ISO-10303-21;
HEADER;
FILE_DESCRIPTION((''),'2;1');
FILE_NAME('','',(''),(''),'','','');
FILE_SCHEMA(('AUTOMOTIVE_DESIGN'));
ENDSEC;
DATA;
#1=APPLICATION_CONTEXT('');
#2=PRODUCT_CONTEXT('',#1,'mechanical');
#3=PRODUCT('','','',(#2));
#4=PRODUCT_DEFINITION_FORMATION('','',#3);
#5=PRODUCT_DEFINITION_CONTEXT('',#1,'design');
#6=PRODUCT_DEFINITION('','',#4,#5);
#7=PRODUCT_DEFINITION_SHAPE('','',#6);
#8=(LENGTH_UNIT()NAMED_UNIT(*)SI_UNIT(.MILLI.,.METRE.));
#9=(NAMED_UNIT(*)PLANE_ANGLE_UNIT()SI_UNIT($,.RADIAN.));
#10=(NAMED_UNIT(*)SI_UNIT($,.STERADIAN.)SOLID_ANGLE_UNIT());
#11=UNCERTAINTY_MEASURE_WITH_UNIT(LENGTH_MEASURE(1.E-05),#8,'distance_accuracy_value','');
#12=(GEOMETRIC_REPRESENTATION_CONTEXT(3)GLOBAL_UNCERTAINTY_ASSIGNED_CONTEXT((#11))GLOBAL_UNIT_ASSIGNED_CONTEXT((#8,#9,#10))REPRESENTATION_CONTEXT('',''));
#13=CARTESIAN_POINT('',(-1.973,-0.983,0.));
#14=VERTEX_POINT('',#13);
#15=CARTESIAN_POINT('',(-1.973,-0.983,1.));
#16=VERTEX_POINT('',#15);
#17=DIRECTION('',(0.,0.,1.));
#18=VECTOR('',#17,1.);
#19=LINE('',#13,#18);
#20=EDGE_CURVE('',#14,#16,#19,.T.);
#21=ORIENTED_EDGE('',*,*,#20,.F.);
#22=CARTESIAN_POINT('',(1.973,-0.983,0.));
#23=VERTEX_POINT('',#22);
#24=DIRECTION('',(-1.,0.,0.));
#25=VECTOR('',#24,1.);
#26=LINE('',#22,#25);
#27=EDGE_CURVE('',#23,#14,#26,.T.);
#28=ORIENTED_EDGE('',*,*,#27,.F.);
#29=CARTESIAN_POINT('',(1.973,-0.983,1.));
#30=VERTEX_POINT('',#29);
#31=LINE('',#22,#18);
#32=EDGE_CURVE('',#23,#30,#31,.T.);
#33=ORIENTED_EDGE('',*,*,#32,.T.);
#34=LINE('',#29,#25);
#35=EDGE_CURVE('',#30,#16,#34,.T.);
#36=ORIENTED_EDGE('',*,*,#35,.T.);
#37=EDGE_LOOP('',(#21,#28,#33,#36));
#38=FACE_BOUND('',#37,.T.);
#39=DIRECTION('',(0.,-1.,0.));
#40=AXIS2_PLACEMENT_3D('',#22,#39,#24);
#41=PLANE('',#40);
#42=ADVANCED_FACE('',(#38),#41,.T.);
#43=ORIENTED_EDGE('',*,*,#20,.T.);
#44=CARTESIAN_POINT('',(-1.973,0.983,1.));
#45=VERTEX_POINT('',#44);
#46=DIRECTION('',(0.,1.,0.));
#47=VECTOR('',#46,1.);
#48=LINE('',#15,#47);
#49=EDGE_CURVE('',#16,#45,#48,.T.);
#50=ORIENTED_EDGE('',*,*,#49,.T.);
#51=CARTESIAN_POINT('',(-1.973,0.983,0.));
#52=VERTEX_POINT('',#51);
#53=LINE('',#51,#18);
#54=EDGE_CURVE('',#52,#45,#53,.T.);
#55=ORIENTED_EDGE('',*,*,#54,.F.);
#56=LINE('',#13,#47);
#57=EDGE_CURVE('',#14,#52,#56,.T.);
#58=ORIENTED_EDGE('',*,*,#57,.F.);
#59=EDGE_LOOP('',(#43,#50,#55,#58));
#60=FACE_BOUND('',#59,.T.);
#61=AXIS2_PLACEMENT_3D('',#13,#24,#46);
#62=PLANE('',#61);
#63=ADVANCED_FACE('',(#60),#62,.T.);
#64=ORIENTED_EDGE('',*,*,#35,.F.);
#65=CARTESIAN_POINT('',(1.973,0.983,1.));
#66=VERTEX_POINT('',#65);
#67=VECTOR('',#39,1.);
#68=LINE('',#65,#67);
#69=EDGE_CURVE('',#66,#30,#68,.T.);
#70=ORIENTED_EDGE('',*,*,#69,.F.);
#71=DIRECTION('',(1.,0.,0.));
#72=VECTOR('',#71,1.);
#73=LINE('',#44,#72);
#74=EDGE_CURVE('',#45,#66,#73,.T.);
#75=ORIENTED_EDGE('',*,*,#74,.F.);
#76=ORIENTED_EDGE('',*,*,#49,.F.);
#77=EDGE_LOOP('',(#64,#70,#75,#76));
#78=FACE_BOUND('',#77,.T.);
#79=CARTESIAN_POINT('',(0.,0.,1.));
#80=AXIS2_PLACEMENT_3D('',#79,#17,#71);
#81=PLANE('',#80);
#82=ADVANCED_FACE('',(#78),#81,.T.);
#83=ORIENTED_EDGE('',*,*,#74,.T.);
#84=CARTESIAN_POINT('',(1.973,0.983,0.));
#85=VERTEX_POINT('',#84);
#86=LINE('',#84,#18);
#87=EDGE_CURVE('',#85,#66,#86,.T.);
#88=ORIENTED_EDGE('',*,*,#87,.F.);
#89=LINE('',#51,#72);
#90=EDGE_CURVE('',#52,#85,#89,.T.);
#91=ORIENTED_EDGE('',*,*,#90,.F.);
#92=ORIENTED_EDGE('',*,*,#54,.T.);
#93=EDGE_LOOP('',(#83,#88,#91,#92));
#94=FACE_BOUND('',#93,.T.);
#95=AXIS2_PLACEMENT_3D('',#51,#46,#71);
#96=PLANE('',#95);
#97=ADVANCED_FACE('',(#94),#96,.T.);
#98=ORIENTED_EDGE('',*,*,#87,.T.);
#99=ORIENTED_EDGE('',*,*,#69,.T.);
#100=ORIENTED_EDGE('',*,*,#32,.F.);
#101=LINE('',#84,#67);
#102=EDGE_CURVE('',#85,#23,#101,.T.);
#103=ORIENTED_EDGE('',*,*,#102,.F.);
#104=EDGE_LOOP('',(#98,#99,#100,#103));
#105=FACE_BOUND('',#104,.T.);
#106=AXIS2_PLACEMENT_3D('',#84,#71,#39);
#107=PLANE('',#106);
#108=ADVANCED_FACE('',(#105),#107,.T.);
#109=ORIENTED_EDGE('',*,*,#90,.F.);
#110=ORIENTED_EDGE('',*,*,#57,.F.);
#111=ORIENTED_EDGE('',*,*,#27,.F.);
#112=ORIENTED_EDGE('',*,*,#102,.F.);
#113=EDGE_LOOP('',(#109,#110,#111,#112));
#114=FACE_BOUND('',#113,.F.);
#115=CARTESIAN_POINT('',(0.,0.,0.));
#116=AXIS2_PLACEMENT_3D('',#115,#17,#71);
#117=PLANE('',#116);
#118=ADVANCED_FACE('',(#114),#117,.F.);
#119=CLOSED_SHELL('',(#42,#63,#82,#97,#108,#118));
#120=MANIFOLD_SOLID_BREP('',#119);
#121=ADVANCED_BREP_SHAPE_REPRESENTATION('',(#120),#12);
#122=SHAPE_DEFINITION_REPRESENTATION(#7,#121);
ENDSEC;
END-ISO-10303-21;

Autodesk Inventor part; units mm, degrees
ref_plane "YZ Plane" through (0, 0, 0) normal (1, 0, 0) x (0, 1, 0)
ref_plane "XZ Plane" through (0, 0, 0) normal (0, 1, 0) x (-1, 0, 0)
ref_plane "XY Plane" through (0, 0, 0) normal (0, 0, 1) x (1, 0, 0)
sketch "R0805, R0805_21" plane through (0, 0, 0) normal (0, 0, 1) x (1, 0, 0)
  line L0 (-1.973, 0.983) -> (1.973, 0.983)
  line L1 (1.973, 0.983) -> (1.973, -0.983)
  line L2 (1.973, -0.983) -> (-1.973, -0.983)
  line L3 (-1.973, -0.983) -> (-1.973, 0.983)
extrude "Выдавливание1" add sketch "R0805, R0805_21" along normal blind 1
properties part number "R0805"
